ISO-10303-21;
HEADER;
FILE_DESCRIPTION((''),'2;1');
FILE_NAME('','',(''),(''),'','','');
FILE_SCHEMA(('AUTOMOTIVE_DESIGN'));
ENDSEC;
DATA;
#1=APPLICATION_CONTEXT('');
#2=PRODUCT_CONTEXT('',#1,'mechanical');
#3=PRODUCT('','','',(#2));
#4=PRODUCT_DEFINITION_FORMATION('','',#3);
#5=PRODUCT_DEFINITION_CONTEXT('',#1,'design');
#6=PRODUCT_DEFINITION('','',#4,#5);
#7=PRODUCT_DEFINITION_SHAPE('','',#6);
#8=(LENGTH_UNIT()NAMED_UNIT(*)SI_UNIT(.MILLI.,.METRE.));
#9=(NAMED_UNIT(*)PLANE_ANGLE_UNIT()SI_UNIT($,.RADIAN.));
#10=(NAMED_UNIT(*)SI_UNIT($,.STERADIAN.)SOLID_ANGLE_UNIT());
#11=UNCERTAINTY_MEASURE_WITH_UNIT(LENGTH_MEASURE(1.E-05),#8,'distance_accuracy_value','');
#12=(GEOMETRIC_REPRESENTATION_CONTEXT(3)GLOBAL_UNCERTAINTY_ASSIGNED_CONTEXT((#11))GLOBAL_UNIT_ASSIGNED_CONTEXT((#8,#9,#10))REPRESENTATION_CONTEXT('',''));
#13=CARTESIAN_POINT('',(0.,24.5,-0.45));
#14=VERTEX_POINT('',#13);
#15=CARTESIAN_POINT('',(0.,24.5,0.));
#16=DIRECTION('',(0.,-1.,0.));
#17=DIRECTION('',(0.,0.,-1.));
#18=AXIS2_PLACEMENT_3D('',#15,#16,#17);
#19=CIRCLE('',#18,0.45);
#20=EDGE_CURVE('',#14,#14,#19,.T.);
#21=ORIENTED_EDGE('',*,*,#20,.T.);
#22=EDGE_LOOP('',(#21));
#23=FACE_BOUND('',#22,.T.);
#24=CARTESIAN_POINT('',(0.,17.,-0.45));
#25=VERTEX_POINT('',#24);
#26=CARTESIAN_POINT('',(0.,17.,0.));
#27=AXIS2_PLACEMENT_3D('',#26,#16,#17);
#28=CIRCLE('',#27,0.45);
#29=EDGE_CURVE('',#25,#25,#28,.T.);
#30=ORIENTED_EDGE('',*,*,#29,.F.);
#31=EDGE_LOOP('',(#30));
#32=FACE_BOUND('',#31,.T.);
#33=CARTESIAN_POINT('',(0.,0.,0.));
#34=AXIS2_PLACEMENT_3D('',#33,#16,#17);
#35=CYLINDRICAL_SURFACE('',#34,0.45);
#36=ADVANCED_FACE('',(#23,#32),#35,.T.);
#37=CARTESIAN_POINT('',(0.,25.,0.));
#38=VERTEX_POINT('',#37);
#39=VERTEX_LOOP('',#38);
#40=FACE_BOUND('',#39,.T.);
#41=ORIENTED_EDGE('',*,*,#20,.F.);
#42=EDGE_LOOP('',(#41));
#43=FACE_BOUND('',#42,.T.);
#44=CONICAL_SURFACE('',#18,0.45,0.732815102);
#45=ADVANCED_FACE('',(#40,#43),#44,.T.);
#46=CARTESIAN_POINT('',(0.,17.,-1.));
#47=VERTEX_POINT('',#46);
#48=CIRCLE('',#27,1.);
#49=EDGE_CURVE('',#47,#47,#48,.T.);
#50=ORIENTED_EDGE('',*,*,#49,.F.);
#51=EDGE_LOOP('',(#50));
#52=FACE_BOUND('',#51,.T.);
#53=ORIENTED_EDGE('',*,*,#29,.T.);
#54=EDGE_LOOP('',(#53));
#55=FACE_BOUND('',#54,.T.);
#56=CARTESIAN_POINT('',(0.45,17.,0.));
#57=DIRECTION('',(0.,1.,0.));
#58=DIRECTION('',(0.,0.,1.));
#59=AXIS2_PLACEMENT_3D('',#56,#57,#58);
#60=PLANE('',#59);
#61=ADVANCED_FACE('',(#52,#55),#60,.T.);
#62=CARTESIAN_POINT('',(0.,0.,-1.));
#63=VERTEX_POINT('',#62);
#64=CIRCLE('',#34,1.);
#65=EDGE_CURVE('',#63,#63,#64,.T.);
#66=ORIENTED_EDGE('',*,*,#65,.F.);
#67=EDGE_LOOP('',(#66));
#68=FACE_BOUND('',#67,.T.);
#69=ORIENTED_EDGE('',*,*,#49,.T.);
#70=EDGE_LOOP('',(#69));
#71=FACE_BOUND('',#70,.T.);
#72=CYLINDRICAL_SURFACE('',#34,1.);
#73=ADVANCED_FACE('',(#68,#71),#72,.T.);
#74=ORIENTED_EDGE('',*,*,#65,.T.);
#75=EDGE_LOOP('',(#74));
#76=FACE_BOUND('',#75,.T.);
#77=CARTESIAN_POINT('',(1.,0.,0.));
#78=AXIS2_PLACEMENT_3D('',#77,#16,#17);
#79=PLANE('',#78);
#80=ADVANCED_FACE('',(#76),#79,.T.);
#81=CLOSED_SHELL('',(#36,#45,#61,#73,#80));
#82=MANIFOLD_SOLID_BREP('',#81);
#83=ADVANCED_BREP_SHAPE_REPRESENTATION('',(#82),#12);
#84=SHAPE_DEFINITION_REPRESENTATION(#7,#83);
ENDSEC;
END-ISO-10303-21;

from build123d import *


with BuildPart() as part:
    # Esquisse1 → Révolution1 (revolve)
    with BuildSketch(Plane.XY):
        Polygon((0, 25), (0.45, 24.5), (0.45, 17), (1, 17), (1, 0), (0, 0), align=None)
    revolve(axis=Axis((0, 0, 0), (0, 1, 0)))


solid = part.part
